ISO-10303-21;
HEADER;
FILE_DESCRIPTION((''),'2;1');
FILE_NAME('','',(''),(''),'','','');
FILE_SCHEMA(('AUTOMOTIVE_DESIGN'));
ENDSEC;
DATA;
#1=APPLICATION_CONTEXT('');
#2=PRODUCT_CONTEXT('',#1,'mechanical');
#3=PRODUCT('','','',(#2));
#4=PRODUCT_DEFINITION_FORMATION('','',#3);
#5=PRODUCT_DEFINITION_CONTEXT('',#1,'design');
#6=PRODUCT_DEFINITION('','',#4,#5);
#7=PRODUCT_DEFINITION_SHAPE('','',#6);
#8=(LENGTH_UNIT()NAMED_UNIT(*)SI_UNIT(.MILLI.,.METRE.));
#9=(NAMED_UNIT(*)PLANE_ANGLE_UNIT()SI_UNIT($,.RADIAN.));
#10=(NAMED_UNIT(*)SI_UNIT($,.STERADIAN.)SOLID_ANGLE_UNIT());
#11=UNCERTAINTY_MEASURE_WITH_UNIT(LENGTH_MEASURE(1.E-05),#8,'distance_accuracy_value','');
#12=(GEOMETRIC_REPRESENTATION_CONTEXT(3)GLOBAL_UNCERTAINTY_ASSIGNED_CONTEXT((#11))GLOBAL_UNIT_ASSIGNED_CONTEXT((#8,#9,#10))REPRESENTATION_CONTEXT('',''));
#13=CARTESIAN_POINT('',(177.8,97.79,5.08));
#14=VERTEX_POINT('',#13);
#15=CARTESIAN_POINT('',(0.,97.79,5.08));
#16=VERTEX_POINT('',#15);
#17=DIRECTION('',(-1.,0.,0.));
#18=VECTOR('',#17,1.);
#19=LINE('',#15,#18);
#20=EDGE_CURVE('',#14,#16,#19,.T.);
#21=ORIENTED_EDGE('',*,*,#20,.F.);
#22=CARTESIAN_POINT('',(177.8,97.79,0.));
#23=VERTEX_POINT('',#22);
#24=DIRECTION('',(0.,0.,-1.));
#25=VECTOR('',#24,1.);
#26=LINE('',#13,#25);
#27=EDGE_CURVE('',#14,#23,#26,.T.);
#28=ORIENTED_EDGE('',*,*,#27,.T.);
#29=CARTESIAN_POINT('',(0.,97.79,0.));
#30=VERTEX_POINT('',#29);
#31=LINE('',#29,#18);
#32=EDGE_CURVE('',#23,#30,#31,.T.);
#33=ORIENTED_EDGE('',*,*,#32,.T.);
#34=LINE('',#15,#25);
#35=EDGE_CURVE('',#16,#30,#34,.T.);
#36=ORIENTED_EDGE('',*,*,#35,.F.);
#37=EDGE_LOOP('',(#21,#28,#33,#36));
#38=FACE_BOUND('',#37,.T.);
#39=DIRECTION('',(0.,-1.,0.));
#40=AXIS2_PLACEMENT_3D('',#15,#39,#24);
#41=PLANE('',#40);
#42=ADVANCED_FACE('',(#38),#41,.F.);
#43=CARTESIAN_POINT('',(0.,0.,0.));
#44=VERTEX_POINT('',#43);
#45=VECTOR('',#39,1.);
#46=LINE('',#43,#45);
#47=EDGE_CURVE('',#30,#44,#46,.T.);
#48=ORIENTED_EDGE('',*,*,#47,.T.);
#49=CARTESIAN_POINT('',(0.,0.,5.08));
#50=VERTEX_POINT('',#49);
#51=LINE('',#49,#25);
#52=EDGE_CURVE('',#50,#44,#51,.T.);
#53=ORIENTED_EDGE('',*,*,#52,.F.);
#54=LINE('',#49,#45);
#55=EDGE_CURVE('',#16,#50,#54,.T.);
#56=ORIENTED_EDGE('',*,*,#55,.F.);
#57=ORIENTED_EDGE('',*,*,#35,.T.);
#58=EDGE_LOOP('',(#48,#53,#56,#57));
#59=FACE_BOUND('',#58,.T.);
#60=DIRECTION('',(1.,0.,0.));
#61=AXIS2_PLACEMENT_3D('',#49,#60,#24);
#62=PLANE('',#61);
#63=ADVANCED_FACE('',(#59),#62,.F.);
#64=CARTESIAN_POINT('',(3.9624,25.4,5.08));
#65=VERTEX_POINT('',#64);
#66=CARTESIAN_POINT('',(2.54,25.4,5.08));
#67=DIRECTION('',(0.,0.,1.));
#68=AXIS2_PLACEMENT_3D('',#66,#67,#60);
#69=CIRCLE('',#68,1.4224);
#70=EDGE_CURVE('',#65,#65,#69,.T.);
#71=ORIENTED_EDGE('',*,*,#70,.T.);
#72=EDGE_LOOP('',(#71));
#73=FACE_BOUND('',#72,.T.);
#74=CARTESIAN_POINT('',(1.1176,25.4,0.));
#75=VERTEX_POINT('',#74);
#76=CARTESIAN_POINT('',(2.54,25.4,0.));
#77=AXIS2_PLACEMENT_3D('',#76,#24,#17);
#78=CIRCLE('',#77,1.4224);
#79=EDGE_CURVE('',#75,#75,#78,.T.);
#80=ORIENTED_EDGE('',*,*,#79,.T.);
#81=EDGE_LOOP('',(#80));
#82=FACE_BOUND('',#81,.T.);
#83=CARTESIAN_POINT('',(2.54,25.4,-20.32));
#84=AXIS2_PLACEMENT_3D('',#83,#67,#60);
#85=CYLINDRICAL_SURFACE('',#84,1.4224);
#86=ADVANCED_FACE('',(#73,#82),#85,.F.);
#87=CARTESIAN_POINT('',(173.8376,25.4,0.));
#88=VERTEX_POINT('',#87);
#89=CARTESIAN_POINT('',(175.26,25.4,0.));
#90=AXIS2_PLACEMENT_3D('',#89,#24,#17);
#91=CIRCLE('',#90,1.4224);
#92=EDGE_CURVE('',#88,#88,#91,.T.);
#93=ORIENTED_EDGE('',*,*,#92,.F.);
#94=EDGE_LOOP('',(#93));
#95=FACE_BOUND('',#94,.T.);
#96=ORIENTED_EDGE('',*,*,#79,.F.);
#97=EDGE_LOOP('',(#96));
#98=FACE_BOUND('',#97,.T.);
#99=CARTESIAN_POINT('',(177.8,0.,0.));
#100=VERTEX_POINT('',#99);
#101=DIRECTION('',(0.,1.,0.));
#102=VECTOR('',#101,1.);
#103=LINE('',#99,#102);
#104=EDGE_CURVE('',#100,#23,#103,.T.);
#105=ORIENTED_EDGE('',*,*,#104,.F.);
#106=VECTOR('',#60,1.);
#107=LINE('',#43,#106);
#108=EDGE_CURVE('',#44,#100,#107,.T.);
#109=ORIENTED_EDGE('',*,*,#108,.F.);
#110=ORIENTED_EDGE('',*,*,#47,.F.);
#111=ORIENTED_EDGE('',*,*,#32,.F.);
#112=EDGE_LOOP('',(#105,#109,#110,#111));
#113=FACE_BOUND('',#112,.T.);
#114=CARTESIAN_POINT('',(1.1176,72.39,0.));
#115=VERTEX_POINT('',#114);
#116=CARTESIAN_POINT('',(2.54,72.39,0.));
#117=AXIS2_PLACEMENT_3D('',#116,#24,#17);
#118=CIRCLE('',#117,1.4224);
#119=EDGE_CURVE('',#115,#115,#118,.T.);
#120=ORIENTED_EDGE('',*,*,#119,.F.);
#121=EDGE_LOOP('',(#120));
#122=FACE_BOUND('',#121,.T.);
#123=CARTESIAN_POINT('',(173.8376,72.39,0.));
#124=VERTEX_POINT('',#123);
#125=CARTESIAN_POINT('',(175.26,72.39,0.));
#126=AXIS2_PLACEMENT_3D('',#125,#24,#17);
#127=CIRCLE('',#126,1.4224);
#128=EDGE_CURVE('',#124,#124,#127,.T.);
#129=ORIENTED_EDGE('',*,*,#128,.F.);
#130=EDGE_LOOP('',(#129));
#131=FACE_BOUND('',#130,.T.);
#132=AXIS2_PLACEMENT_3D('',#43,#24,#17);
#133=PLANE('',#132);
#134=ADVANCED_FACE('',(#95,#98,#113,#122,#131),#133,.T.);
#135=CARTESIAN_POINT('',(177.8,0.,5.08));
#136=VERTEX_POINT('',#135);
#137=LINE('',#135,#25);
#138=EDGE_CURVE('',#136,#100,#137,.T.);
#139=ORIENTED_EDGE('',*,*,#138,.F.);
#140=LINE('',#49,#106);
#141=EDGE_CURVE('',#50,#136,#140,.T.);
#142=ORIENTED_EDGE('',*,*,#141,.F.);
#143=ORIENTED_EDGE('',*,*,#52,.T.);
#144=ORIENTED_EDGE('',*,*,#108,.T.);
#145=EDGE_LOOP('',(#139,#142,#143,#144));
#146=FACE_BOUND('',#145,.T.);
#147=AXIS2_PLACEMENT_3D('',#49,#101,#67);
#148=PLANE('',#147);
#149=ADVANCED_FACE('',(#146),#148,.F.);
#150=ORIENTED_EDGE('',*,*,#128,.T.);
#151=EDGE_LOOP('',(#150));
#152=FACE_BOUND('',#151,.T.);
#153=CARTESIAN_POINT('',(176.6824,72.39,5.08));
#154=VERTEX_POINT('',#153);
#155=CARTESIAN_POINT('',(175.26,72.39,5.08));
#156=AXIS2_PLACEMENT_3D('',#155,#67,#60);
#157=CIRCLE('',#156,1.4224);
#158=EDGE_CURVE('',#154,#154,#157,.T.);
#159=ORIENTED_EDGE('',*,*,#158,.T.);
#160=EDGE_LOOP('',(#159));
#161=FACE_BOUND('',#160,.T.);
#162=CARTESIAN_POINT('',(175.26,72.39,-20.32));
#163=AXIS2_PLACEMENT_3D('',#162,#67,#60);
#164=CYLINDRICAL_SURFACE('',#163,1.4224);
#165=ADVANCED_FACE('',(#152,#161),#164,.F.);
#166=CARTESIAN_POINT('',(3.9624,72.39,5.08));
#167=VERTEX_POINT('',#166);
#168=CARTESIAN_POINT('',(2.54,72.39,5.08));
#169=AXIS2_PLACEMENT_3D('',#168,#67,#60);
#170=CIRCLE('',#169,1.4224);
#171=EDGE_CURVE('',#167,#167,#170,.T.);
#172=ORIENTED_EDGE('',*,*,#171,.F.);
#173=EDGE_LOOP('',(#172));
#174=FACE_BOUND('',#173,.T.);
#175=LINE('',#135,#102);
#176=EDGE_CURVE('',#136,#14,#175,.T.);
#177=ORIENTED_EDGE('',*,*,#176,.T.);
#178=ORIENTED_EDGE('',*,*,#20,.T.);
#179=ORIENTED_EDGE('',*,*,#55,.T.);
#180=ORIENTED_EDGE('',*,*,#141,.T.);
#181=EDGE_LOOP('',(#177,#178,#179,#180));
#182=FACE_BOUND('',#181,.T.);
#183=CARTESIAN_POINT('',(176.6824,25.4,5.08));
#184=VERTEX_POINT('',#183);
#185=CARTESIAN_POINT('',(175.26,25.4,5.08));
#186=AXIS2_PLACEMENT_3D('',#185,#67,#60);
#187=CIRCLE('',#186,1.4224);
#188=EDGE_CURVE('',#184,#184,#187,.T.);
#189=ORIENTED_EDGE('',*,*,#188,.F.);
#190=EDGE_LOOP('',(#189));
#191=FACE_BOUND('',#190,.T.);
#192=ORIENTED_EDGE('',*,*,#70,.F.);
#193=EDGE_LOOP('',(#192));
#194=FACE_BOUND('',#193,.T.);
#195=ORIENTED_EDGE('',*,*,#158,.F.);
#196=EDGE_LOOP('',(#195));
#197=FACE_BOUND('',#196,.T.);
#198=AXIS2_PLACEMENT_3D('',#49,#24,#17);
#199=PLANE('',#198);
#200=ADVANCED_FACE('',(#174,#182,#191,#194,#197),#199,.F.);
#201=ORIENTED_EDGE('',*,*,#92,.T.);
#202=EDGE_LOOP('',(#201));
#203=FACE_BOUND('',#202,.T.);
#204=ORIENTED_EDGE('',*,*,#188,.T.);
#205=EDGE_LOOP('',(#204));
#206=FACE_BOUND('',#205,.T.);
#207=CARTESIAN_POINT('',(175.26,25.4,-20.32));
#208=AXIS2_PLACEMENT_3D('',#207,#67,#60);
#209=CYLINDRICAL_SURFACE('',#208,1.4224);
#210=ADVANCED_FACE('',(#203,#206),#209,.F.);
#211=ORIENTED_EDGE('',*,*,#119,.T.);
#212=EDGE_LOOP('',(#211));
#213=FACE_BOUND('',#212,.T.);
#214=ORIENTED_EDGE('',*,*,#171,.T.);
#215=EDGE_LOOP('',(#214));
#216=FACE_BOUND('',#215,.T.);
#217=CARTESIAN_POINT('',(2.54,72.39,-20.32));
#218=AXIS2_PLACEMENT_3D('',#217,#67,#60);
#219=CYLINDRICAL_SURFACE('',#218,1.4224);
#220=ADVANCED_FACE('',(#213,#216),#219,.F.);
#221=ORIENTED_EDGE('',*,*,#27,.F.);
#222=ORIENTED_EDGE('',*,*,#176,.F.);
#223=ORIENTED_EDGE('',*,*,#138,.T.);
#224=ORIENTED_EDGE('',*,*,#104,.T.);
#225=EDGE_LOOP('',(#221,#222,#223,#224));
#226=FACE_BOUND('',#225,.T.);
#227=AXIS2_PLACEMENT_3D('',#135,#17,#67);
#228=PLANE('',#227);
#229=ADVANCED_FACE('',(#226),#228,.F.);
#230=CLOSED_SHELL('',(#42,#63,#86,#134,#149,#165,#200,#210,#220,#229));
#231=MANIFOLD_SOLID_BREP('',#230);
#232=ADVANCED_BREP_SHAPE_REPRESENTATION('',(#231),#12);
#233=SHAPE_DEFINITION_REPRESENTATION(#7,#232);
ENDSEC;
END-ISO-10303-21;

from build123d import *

# Parameters (mm, degrees)
SKETCH1_W           = 177.8
SKETCH1_H           = 97.79
BOSS_EXTRUDE1_DEPTH = 5.08
SKETCH2_R           = 1.4224
CUT_EXTRUDE1_DEPTH  = 25.4


with BuildPart() as part:
    # Sketch1 → Boss-Extrude1 (new body)
    with BuildSketch(Plane.XY):
        with Locations((88.9, 48.895)):
            Rectangle(SKETCH1_W, SKETCH1_H)
    extrude(amount=BOSS_EXTRUDE1_DEPTH)

    # Sketch2 → Cut-Extrude1 (cut)
    with BuildSketch(Plane.XY.offset(5.08)):
        with Locations((2.54, 72.39)):
            Circle(SKETCH2_R)
        with Locations((2.54, 25.4)):
            Circle(SKETCH2_R)
        with Locations((175.26, 25.4)):
            Circle(SKETCH2_R)
        with Locations((175.26, 72.39)):
            Circle(SKETCH2_R)
    extrude(amount=-CUT_EXTRUDE1_DEPTH, mode=Mode.SUBTRACT)


solid = part.part
